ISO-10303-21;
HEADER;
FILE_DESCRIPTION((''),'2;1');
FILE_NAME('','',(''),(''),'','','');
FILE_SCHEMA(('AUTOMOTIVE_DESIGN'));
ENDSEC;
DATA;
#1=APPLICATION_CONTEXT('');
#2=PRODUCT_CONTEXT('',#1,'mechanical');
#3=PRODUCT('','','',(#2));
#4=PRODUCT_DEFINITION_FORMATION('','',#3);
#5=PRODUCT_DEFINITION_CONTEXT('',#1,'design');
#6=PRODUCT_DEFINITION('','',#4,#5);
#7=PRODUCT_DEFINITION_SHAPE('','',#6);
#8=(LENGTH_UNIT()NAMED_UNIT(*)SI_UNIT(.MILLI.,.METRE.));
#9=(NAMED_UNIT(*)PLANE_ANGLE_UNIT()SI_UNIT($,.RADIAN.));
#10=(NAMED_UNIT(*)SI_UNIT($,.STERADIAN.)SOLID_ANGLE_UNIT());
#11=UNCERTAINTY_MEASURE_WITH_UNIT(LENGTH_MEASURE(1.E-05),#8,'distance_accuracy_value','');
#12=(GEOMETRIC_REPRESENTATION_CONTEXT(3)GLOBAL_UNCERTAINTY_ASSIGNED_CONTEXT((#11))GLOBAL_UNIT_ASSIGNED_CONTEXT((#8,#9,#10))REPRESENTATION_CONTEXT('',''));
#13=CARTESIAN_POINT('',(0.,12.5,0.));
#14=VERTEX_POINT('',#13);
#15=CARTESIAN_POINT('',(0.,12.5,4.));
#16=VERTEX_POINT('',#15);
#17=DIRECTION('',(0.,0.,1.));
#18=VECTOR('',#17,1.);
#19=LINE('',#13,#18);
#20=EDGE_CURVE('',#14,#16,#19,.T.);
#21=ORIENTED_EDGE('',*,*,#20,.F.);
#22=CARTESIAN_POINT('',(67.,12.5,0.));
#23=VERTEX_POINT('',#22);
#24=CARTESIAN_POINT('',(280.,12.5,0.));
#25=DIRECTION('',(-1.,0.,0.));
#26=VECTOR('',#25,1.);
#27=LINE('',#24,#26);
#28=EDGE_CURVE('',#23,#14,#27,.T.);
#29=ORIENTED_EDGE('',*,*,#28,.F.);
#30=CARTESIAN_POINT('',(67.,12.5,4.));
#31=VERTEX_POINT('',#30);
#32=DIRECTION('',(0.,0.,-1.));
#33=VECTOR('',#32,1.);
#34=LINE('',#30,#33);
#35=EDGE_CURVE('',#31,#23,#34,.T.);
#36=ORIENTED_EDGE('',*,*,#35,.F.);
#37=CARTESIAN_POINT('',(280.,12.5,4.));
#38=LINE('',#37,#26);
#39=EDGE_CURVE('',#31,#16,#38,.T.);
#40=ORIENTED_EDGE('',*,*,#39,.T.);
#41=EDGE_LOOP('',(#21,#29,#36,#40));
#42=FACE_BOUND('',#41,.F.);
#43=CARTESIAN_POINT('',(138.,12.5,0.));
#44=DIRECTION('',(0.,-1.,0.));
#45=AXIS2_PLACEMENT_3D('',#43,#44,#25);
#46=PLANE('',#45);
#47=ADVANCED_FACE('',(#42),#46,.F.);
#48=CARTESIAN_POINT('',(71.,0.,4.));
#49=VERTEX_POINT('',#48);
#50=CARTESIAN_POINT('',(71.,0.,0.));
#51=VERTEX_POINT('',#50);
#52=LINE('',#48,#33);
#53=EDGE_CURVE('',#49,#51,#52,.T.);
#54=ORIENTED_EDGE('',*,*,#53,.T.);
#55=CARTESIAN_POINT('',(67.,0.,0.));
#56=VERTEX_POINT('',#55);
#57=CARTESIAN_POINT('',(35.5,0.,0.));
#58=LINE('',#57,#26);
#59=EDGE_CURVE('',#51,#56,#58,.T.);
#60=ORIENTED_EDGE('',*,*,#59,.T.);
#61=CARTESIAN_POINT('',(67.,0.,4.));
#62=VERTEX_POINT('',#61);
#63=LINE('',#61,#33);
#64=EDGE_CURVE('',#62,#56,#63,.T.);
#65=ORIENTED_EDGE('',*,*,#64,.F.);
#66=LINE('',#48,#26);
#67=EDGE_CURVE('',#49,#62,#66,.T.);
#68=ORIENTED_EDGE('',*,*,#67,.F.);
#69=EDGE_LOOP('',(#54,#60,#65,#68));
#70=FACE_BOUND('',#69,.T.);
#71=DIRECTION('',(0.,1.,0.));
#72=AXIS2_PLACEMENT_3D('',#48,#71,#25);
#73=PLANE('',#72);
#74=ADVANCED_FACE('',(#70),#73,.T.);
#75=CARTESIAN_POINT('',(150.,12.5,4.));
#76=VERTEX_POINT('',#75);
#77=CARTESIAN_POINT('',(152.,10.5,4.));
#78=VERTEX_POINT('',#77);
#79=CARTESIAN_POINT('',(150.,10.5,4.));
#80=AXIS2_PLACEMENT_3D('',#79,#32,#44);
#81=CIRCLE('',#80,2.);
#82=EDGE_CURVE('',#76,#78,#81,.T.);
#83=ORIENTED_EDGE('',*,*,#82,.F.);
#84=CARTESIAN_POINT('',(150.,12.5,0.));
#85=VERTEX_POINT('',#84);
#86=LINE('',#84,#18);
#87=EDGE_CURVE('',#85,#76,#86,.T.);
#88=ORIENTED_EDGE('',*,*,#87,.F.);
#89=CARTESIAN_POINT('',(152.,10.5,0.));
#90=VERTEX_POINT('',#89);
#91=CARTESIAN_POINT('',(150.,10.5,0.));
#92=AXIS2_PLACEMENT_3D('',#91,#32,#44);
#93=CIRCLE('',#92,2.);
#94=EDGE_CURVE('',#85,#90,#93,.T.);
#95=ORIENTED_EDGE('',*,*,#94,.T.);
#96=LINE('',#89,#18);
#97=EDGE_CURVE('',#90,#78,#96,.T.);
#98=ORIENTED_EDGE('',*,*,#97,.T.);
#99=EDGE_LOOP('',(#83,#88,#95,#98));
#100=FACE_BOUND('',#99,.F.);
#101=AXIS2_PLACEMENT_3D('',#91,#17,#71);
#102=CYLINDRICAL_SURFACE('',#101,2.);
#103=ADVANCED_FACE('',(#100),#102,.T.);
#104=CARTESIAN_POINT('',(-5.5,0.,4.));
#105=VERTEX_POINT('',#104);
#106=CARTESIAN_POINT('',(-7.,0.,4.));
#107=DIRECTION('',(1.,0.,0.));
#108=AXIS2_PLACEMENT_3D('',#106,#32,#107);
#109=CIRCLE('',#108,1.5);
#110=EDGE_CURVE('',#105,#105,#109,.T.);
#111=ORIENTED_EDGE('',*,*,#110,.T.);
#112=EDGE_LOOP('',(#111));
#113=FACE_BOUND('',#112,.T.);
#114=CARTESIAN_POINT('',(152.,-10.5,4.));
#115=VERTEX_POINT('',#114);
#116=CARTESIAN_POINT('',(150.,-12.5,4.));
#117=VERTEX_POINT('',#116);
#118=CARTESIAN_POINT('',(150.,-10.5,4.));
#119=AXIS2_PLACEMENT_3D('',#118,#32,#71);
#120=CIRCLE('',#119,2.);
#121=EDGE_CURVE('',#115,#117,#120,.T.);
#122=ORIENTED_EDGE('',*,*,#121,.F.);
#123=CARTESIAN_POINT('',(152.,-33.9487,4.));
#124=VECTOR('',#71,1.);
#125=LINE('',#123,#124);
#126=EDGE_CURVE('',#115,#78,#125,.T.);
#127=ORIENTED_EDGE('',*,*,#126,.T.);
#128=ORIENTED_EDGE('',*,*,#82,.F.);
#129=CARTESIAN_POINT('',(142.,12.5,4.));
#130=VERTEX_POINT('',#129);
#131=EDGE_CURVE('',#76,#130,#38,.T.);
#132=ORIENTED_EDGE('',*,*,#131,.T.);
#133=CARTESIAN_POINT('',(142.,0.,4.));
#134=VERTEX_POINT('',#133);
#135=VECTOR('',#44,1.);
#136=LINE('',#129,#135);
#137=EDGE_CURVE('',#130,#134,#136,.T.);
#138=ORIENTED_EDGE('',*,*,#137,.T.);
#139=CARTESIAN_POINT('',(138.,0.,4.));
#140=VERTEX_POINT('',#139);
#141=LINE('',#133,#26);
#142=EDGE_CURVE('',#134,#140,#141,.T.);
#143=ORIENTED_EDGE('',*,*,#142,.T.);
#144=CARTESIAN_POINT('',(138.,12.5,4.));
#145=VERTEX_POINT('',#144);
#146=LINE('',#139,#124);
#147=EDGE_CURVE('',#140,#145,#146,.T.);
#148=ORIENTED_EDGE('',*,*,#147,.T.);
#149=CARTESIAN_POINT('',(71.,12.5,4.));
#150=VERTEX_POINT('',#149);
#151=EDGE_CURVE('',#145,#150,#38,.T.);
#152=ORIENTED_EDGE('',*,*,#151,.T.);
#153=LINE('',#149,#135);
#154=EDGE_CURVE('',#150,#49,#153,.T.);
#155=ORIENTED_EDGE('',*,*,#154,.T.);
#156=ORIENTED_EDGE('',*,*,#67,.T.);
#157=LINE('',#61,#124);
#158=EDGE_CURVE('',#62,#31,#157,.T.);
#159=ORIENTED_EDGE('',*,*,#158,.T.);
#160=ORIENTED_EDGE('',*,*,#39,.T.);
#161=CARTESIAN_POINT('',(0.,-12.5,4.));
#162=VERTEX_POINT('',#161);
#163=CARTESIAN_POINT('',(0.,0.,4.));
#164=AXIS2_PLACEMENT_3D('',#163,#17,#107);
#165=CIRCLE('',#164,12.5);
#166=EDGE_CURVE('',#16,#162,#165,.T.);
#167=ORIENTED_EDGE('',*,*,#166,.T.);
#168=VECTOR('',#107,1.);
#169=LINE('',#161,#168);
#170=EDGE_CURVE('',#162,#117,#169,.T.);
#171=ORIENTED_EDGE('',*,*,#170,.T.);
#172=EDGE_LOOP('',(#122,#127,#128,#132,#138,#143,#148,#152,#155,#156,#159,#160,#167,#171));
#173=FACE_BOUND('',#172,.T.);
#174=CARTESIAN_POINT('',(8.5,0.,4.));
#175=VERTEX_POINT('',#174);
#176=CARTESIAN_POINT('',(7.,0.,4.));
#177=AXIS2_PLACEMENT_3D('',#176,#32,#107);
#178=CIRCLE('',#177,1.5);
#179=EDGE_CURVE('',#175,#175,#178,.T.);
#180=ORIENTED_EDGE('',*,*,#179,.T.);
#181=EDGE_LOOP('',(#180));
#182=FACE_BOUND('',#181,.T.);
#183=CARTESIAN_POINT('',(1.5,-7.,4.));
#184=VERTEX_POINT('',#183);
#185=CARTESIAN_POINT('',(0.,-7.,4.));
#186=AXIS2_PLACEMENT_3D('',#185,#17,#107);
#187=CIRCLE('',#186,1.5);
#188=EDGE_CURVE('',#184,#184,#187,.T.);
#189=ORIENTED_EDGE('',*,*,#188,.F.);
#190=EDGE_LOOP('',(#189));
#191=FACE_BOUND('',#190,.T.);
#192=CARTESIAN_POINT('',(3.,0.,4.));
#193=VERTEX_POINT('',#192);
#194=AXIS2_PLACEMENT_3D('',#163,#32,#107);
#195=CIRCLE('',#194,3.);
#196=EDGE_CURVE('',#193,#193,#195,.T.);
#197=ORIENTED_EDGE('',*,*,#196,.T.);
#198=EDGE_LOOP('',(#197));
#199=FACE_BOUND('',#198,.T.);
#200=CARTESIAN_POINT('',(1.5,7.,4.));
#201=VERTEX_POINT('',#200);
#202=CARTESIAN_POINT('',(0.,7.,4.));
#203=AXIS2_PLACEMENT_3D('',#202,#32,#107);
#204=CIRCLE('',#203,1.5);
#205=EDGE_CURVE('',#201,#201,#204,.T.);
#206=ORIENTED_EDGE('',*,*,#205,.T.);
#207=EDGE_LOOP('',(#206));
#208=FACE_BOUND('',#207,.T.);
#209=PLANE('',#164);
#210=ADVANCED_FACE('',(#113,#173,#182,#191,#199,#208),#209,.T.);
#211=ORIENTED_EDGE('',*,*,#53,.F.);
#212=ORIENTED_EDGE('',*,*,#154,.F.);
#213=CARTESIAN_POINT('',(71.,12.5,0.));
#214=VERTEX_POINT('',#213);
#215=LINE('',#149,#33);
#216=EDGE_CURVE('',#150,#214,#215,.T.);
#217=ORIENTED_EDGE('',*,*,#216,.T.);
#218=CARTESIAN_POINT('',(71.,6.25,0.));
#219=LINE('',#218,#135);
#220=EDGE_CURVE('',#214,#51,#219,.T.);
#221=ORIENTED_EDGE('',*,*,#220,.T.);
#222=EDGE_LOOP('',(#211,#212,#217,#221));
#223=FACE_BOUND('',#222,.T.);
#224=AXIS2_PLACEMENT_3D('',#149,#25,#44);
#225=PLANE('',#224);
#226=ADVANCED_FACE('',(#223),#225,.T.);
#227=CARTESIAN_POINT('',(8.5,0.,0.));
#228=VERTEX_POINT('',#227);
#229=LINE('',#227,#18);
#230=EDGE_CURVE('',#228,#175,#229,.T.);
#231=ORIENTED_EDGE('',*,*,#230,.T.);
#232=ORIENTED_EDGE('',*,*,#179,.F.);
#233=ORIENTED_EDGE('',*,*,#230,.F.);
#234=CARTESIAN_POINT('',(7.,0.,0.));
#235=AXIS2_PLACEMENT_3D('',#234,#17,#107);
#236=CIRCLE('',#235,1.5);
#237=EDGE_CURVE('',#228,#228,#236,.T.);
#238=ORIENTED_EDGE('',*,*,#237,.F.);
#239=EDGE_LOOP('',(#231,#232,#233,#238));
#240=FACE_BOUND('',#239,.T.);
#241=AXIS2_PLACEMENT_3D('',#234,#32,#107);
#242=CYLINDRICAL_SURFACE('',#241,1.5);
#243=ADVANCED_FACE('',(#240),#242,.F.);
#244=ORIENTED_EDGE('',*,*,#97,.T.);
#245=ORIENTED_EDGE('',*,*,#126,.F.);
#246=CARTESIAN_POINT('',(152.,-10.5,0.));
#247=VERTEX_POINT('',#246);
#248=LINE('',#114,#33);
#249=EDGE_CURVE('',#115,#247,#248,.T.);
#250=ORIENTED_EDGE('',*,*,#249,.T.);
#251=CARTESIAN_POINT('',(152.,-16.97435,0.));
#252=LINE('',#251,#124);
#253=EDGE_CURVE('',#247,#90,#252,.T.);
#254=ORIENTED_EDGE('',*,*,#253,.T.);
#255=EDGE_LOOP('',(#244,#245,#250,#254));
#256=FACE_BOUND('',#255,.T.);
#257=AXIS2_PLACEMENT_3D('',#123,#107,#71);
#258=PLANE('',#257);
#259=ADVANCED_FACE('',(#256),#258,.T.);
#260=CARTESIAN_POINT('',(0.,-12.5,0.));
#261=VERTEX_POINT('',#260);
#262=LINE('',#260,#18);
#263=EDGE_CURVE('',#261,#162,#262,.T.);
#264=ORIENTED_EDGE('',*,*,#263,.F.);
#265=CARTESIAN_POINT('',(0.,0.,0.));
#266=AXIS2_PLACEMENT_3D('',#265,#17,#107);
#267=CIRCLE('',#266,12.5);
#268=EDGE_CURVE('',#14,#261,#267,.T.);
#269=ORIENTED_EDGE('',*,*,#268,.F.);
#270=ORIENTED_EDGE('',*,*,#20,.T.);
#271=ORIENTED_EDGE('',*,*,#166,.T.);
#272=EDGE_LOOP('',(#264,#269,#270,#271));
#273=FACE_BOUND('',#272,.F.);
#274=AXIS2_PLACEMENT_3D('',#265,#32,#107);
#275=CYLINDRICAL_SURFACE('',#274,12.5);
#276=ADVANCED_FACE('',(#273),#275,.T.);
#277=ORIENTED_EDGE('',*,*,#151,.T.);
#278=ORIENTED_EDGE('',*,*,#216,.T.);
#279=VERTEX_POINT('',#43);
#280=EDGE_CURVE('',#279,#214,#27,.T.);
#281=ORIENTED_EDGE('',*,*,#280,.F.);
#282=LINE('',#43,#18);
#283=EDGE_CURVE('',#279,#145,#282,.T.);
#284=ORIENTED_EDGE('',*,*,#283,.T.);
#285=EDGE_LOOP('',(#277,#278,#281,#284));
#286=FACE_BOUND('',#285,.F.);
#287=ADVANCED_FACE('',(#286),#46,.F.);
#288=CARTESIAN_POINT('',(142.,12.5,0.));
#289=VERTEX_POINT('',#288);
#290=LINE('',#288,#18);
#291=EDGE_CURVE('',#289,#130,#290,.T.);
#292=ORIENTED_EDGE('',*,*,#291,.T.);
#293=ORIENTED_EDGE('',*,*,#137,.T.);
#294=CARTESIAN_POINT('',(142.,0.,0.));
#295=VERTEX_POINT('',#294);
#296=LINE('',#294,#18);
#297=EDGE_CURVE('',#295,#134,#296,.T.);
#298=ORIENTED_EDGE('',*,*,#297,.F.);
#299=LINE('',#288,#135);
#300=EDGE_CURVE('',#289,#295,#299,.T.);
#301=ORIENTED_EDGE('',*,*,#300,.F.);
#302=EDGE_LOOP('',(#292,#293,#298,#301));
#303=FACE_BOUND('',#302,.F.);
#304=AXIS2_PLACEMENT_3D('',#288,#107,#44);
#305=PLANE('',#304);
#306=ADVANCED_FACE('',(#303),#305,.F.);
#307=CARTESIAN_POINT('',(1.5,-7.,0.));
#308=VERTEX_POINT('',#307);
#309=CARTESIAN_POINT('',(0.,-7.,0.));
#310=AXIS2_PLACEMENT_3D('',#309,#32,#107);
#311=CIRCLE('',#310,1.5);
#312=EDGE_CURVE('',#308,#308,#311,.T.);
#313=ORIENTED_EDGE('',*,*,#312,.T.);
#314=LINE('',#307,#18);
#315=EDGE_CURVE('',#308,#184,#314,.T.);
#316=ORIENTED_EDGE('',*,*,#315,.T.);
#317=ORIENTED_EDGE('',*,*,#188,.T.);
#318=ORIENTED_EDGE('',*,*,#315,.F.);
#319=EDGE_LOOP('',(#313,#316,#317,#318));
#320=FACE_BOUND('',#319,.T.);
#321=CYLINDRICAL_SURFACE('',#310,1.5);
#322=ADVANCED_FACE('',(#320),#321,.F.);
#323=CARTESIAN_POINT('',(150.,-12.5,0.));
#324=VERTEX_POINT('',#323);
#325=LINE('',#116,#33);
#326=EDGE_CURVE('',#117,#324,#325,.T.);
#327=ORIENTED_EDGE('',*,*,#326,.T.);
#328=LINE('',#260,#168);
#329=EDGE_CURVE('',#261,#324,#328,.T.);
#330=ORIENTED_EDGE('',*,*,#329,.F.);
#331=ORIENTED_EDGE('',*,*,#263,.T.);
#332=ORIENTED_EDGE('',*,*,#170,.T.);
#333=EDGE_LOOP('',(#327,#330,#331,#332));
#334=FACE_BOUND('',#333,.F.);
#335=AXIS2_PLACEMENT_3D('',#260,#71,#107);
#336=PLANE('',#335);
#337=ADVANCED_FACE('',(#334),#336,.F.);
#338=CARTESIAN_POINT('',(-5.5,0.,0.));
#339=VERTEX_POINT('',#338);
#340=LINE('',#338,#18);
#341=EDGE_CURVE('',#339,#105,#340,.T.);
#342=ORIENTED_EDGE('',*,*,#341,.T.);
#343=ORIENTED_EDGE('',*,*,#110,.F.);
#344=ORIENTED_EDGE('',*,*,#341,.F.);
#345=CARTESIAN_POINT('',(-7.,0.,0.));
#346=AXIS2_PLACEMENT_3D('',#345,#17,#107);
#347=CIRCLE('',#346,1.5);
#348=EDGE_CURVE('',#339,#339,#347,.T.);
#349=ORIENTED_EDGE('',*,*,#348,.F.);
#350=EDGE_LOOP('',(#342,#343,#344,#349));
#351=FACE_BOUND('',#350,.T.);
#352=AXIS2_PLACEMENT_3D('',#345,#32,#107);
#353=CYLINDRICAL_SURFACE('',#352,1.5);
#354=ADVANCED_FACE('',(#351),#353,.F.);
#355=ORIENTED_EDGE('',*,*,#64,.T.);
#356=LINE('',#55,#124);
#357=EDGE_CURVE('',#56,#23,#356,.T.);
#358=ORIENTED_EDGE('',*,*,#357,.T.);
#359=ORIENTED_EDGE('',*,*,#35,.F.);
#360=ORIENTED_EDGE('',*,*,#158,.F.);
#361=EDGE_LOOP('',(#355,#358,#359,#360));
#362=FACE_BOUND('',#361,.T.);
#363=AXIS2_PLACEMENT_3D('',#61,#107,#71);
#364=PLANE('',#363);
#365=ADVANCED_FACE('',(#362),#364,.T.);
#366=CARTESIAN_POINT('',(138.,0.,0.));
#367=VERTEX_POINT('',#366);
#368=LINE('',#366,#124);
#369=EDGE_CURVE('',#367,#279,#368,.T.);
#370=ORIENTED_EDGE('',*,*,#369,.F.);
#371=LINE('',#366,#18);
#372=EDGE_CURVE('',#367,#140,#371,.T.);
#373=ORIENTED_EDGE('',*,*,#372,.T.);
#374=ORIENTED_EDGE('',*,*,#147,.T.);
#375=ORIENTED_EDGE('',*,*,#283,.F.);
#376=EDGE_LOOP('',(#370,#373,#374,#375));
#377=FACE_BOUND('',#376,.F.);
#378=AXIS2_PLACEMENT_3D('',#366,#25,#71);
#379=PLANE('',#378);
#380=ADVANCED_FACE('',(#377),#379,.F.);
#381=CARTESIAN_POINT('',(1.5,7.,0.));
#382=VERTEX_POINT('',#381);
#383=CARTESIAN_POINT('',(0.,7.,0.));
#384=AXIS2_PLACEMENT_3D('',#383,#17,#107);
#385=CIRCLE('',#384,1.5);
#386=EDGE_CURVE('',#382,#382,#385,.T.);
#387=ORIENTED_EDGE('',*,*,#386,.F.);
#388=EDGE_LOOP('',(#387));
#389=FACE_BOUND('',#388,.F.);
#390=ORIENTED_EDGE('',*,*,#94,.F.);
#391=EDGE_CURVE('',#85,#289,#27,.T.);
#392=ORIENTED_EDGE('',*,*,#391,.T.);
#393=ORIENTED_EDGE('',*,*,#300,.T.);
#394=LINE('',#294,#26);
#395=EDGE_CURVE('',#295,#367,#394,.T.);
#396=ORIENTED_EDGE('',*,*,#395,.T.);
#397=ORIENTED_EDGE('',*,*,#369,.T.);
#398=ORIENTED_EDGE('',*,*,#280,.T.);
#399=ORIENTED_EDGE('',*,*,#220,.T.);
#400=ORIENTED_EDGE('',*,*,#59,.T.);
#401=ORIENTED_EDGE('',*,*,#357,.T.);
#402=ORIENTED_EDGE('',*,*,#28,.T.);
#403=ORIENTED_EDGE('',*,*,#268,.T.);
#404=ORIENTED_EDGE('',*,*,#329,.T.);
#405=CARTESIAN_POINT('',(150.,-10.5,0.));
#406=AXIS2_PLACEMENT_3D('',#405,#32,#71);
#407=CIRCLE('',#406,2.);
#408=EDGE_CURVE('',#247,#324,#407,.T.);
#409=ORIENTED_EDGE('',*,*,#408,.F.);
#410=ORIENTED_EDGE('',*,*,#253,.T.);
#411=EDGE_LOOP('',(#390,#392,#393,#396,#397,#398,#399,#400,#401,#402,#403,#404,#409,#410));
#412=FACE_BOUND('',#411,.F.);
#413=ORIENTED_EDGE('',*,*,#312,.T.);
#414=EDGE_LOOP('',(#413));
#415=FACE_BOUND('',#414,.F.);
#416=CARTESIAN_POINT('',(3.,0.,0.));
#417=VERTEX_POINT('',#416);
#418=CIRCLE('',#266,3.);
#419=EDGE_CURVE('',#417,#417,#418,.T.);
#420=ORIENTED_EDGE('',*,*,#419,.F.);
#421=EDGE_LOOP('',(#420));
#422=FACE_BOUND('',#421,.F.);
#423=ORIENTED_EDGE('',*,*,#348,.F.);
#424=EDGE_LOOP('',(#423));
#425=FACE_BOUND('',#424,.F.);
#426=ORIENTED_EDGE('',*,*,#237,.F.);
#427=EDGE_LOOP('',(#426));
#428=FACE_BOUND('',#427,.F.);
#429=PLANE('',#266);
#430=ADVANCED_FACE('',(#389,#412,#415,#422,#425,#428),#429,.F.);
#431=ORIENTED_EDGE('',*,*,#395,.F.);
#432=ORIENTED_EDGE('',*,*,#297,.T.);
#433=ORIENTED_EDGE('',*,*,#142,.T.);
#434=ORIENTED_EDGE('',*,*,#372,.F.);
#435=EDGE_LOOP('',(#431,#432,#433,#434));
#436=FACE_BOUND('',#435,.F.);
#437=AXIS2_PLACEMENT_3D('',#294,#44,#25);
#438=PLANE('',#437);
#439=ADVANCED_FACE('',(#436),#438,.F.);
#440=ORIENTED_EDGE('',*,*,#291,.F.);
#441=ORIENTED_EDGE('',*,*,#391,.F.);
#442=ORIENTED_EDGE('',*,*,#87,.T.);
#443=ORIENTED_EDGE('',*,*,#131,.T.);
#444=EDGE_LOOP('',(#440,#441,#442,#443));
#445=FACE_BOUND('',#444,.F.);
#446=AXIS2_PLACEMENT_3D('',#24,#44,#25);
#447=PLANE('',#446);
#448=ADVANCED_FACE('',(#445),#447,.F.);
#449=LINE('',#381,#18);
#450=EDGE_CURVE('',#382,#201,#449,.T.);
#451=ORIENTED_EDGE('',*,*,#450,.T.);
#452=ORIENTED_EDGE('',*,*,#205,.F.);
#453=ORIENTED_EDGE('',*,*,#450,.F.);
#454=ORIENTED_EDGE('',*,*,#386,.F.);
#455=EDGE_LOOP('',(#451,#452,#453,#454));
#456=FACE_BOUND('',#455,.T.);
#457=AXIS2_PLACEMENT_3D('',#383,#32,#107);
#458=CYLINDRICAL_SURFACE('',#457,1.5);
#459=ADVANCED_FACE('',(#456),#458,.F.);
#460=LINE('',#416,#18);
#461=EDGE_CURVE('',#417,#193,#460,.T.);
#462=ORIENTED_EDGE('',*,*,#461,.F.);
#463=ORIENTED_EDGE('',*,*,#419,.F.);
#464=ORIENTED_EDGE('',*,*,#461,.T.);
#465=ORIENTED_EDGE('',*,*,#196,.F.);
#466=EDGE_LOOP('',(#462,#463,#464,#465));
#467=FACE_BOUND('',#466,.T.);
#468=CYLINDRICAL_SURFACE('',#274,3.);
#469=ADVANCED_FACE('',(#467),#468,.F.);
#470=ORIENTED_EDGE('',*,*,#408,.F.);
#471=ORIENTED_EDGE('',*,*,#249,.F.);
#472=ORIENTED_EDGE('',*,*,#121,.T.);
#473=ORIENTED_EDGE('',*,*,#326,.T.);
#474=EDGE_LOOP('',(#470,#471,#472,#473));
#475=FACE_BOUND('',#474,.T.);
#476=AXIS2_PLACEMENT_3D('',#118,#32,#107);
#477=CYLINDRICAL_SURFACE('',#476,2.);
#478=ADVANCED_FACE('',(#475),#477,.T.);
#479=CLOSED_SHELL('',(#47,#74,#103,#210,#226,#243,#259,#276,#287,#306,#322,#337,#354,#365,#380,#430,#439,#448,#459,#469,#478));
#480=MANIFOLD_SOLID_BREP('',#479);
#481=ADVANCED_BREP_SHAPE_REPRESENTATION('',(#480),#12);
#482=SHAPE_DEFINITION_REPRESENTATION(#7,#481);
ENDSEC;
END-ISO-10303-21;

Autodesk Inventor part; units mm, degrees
ref_plane "YZ Plane" through (0, 0, 0) normal (1, 0, 0) x (0, 1, 0)
ref_plane "XZ Plane" through (0, 0, 0) normal (0, 1, 0) x (-1, 0, 0)
ref_plane "XY Plane" through (0, 0, 0) normal (0, 0, 1) x (1, 0, 0)
sketch "Эскиз1" plane through (0, 0, 0) normal (0, 0, 1) x (1, 0, 0)
  circle A0 centre (0, 0) radius 12.5
  line L0 (0, -12.5) -> (280, -12.5)
  line L1 (280, -12.5) -> (280, 12.5)
  line L2 (280, 12.5) -> (0, 12.5)
  line L3 (0, 12.5) -> (0, -12.5)
  circle A1 centre (280, 0) radius 12.5
  circle A2 centre (0, 0) radius 7
  circle A3 centre (280, 0) radius 7
  circle A4 centre (0, 7) radius 1.5
  circle A5 centre (7, 0) radius 1.5
  circle A6 centre (0, -7) radius 1.5
  circle A7 centre (-7, 0) radius 1.5
  circle A8 centre (0, 0) radius 3
  circle A9 centre (280, 0) radius 3
  circle A10 centre (287, 0) radius 1.5
  circle A11 centre (280, 7) radius 1.5
  circle A12 centre (280, -7) radius 1.5
  circle A13 centre (273, 0) radius 1.5
  line L4 (138, 12.5) -> (142, 12.5)
  line L5 (142, 12.5) -> (142, 0)
  line L6 (142, 0) -> (138, 0)
  line L7 (138, 0) -> (138, 12.5)
  point P0 (280, -12.5)
  point P1 (140, 12.5)
  point P2 (140, 12.5)
  point P3 (142, 12.5)
  dimension "d0" = 25
  dimension "d2" = 14
  dimension "d3" = 14
  dimension "d4" = 3
  dimension "d5" = 3
  dimension "d6" = 3
  dimension "d7" = 3
  dimension "d8" = 6
  dimension "d9" = 6
  dimension "d10" = 3
  dimension "d11" = 3
  dimension "d12" = 3
  dimension "d13" = 3
  dimension "d16" = 0
  dimension "d17" = 4
  dimension "d27" = 280
extrude "Выдавливание1" add sketch "Эскиз1" along normal blind 4 contours A0 L3 A6 A2 A5 A4 | A0 L2 L7 L6 L5 A1 L0 | L3 A4 A2 A7 A6 A0 | A1 L1 A11 A3 A13 A12 | L1 A12 A3 A10 A11 A1 | A4 L3 A8 A6 A2 A7 | A4 A2 A5 A6 L3 A8 | A3 A13 A11 L1 A9 A12 | L1 A9 A11 A3 A10 A12
sketch "Эскиз2" plane through (0, 0, 4) normal (0, 0, 1) x (1, 0, 0)
  line L0 (152, 23.4347) -> (358.3941, 23.4347)
  line L1 (358.3941, 23.4347) -> (358.3941, -33.9487)
  line L2 (358.3941, -33.9487) -> (152, -33.9487)
  line L3 (152, -33.9487) -> (152, 23.4347)
  line L4 (142, 12.5) -> (142, 0) projected
  point P0 (0, 0)
  dimension "d18" = 10
extrude "Выдавливание2" cut sketch "Эскиз2" against normal blind 10
fillet "Сопряжение1" radius 2 2 edges at (152, 12.5, 2) (152, -12.5, 2)
sketch "Эскиз3" plane through (0, 0, 4) normal (0, 0, 1) x (1, 0, 0)
  line L0 (138, 12.5) -> (0, 12.5) projected
  line L1 (67, 12.5) -> (71, 12.5)
  line L2 (71, 12.5) -> (71, 0)
  line L3 (71, 0) -> (67, 0)
  line L4 (67, 0) -> (67, 12.5)
  line L5 (142, 0) -> (138, 0) projected
  point P0 (0, 0)
  point P1 (69, 12.5)
  point P2 (69, 12.5)
  point P3 (71, 12.5)
  point P4 (140, 0)
  dimension "d22" = 0
  dimension "d23" = 4
extrude "Выдавливание3" cut sketch "Эскиз3" against normal blind 10
properties material "Дерево (вишня)"
